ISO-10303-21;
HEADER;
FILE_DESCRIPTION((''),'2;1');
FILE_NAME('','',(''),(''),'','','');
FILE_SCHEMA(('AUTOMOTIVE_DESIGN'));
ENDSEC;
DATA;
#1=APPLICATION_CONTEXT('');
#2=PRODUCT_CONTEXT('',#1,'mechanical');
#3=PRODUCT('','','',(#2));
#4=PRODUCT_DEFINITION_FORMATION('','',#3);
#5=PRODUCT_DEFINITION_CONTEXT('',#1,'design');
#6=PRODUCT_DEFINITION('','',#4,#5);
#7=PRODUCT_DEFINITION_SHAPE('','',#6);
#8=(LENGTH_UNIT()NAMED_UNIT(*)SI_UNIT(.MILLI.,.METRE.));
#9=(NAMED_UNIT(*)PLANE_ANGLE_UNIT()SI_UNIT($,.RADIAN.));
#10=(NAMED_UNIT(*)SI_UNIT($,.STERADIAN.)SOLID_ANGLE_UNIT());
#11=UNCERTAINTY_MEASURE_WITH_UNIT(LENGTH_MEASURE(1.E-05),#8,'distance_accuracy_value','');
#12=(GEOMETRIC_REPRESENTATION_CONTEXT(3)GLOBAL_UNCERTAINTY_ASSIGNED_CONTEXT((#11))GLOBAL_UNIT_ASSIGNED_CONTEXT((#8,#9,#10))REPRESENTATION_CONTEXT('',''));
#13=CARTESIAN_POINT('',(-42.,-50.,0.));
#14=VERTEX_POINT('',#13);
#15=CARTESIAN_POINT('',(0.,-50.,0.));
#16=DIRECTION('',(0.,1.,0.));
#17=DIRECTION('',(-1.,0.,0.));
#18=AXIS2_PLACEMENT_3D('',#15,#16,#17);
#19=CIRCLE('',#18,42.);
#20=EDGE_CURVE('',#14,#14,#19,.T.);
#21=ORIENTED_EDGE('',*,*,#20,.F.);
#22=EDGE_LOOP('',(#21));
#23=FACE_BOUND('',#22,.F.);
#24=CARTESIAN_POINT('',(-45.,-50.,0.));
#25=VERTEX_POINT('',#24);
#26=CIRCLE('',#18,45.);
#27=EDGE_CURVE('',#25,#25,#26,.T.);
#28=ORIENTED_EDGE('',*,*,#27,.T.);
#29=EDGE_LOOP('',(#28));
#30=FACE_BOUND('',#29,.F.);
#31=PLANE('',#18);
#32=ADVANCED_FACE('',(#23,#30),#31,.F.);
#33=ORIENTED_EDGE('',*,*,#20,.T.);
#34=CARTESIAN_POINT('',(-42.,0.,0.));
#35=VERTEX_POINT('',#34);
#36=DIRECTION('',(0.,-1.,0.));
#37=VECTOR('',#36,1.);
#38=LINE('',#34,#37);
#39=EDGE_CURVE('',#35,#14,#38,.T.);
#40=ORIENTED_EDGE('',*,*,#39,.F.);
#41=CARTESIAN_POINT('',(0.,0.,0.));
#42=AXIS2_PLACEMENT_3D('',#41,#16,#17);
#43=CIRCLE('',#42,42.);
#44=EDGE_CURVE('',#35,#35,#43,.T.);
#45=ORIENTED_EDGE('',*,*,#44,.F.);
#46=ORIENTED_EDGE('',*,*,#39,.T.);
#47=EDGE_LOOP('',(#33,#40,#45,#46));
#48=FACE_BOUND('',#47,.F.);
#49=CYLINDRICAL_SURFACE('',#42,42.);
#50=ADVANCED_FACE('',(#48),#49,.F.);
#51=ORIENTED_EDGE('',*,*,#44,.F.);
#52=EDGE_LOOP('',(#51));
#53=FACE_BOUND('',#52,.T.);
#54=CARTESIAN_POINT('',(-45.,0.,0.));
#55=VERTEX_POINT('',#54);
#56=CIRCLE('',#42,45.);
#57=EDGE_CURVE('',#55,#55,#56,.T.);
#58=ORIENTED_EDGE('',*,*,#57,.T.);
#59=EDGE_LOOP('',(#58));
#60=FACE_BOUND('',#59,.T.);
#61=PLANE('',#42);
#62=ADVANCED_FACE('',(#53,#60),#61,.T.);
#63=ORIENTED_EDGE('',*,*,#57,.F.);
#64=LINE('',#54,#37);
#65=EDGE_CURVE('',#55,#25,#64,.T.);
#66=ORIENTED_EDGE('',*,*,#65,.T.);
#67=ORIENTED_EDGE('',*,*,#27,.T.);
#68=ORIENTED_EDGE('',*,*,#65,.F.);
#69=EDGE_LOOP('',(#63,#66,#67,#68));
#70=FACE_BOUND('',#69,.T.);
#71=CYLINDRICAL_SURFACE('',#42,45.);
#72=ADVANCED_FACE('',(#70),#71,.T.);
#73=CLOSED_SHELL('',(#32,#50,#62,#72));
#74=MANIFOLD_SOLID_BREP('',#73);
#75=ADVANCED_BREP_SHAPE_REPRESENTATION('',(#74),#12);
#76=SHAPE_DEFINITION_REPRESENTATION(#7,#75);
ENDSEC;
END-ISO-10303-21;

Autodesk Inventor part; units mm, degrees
ref_plane "YZ Plane" through (0, 0, 0) normal (1, 0, 0) x (0, 1, 0)
ref_plane "XZ Plane" through (0, 0, 0) normal (0, 1, 0) x (-1, 0, 0)
ref_plane "XY Plane" through (0, 0, 0) normal (0, 0, 1) x (1, 0, 0)
sketch "Sketch1" plane through (0, 0, 0) normal (0, 1, 0) x (-1, 0, 0)
  circle A0 centre (0, 0) radius 45
  circle A1 centre (0, 0) radius 42
  dimension "d0" = 90
  dimension "d1" = 3
extrude "Extrusion1" add sketch "Sketch1" against normal blind 50
properties part number "PRS 9612 FDS tube 2_D1200 940"
